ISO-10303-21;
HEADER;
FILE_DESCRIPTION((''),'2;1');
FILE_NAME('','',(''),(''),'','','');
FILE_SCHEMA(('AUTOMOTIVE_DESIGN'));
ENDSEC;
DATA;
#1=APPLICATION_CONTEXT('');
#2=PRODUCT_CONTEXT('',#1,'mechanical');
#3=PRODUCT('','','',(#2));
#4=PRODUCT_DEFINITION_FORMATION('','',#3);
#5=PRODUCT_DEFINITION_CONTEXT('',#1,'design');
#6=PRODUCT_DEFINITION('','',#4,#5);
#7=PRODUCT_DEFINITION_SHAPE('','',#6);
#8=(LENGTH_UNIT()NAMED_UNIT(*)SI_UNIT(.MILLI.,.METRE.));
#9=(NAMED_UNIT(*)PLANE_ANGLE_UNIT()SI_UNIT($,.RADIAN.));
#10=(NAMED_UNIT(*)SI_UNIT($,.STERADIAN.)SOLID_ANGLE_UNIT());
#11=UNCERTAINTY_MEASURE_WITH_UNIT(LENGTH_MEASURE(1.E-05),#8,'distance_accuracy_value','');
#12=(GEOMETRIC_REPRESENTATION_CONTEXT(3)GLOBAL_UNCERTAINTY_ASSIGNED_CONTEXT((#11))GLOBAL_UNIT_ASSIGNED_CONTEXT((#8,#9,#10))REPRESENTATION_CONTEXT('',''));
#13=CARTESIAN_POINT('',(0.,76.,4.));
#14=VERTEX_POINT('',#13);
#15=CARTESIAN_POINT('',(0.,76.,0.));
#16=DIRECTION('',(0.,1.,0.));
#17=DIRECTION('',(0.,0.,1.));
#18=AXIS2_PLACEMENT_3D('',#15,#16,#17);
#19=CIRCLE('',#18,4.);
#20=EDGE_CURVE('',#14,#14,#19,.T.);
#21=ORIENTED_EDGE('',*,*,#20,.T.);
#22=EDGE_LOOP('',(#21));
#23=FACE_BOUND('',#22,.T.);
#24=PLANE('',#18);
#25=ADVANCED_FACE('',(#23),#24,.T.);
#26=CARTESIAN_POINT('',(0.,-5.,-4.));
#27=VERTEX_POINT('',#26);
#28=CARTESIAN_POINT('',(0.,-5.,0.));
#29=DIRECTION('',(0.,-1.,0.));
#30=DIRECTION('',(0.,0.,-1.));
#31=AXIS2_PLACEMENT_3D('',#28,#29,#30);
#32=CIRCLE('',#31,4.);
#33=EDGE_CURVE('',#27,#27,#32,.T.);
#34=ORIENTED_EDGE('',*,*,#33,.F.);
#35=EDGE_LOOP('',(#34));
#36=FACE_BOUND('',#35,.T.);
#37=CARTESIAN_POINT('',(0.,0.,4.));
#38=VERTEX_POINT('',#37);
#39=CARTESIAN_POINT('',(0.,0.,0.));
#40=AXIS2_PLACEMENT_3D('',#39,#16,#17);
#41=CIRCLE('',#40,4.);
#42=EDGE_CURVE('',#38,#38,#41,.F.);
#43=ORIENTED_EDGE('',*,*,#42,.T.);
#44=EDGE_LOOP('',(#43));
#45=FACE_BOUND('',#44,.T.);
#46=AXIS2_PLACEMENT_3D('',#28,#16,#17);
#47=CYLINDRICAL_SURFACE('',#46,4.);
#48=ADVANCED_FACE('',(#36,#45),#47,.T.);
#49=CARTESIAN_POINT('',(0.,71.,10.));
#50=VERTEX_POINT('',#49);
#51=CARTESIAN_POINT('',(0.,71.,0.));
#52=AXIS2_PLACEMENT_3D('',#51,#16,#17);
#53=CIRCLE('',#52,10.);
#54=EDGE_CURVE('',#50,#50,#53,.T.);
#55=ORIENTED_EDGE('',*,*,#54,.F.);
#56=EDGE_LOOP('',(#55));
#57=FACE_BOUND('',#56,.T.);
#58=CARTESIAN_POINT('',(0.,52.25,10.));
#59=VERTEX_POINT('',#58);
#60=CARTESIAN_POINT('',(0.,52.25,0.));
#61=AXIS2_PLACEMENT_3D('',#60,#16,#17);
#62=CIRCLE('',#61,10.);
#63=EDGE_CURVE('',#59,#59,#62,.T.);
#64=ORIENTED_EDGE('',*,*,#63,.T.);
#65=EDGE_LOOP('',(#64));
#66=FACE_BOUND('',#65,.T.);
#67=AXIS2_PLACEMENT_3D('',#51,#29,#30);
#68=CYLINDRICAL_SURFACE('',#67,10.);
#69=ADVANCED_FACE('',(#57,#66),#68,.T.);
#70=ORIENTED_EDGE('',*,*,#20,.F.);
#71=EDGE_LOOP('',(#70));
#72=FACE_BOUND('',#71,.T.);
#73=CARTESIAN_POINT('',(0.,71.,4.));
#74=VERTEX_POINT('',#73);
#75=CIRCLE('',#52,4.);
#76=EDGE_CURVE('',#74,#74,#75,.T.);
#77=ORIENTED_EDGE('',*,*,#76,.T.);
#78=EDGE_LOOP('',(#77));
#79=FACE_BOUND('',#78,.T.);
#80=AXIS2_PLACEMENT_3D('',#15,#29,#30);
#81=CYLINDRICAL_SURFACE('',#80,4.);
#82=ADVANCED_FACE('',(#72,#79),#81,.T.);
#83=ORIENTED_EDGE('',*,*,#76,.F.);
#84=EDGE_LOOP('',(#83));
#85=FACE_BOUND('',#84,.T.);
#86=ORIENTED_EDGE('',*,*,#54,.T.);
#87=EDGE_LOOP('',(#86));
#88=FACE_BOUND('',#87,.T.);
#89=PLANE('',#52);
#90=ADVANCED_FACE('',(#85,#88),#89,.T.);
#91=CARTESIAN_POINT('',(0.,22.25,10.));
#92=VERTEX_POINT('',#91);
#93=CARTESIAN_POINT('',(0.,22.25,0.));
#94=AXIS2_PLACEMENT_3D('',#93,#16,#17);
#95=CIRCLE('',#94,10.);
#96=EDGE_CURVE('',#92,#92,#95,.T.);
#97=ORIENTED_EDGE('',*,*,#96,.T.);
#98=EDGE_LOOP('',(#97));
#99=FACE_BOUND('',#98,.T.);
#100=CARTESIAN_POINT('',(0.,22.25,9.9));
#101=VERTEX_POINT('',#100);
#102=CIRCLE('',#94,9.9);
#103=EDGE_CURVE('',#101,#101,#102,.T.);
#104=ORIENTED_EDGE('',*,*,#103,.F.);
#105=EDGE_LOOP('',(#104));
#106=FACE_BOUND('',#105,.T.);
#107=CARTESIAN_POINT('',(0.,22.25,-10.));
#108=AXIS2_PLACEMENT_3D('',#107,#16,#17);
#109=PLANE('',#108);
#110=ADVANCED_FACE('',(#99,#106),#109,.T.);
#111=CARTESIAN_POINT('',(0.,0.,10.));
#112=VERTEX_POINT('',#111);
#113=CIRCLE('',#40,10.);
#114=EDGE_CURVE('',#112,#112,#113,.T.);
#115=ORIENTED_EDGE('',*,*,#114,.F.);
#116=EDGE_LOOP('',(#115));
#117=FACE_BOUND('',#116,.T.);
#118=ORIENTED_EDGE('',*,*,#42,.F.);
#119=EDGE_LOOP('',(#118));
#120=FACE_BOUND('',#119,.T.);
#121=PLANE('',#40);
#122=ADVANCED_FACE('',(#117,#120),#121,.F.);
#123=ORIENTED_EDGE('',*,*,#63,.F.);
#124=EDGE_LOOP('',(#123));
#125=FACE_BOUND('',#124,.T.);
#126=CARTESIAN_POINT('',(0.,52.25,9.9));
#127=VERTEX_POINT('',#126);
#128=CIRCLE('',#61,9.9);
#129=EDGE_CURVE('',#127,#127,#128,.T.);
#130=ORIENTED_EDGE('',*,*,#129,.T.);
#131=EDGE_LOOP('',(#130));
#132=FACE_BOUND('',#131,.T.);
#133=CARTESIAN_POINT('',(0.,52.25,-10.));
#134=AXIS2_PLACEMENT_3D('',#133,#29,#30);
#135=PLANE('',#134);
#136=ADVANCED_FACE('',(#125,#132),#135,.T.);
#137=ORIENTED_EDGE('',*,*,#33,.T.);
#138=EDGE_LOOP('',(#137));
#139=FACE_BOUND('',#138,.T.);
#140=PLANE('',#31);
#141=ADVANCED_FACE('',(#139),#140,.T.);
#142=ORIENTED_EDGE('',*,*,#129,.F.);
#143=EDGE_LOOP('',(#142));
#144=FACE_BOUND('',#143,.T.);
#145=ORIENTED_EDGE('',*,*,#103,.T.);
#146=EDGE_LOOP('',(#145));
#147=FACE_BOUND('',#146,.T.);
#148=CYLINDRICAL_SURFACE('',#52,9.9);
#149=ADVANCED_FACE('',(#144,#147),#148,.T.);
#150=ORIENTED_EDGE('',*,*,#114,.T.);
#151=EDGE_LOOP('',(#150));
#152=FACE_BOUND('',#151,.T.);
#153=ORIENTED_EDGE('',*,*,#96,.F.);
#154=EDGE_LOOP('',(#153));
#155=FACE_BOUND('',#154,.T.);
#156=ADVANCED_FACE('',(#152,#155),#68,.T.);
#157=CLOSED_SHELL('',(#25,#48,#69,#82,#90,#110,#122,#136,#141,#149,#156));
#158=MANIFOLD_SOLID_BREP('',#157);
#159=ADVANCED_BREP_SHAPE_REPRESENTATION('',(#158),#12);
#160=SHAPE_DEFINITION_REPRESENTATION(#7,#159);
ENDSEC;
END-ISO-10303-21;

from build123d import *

# Parameters (mm, degrees)
CROQUIS1_R              = 10
SALIENTE_EXTRUIR1_DEPTH = 71
CROQUIS3_W              = 0.1
CROQUIS3_H              = 30
CROQUIS4_R              = 4
SALIENTE_EXTRUIR2_DEPTH = 5
CROQUIS5_R              = 4
SALIENTE_EXTRUIR3_DEPTH = 5


with BuildPart() as part:
    # Croquis1 → Saliente-Extruir1 (new body)
    with BuildSketch(Plane(origin=(0, 0, 0), x_dir=(1, 0, 0), z_dir=(0, 1, 0))):
        Circle(CROQUIS1_R)
    extrude(amount=SALIENTE_EXTRUIR1_DEPTH)

    # Croquis3 → Cortar-Revolución1 (revolve, cut)
    with BuildSketch(Plane(origin=(0, 0, 0), x_dir=(0, 0, -1), z_dir=(1, 0, 0))):
        with Locations((9.95, 37.25)):
            Rectangle(CROQUIS3_W, CROQUIS3_H)
    revolve(axis=Axis((0, 71, 0), (0, -1, 0)), mode=Mode.SUBTRACT)

    # Croquis4 → Saliente-Extruir2 (add)
    with BuildSketch(Plane(origin=(0, 0, 0), x_dir=(-1, 0, 0), z_dir=(0, -1, 0))):
        Circle(CROQUIS4_R)
    extrude(amount=SALIENTE_EXTRUIR2_DEPTH)

    # Croquis5 → Saliente-Extruir3 (add)
    with BuildSketch(Plane(origin=(0, 71, 0), x_dir=(1, 0, 0), z_dir=(0, 1, 0))):
        Circle(CROQUIS5_R)
    extrude(amount=SALIENTE_EXTRUIR3_DEPTH)


solid = part.part
